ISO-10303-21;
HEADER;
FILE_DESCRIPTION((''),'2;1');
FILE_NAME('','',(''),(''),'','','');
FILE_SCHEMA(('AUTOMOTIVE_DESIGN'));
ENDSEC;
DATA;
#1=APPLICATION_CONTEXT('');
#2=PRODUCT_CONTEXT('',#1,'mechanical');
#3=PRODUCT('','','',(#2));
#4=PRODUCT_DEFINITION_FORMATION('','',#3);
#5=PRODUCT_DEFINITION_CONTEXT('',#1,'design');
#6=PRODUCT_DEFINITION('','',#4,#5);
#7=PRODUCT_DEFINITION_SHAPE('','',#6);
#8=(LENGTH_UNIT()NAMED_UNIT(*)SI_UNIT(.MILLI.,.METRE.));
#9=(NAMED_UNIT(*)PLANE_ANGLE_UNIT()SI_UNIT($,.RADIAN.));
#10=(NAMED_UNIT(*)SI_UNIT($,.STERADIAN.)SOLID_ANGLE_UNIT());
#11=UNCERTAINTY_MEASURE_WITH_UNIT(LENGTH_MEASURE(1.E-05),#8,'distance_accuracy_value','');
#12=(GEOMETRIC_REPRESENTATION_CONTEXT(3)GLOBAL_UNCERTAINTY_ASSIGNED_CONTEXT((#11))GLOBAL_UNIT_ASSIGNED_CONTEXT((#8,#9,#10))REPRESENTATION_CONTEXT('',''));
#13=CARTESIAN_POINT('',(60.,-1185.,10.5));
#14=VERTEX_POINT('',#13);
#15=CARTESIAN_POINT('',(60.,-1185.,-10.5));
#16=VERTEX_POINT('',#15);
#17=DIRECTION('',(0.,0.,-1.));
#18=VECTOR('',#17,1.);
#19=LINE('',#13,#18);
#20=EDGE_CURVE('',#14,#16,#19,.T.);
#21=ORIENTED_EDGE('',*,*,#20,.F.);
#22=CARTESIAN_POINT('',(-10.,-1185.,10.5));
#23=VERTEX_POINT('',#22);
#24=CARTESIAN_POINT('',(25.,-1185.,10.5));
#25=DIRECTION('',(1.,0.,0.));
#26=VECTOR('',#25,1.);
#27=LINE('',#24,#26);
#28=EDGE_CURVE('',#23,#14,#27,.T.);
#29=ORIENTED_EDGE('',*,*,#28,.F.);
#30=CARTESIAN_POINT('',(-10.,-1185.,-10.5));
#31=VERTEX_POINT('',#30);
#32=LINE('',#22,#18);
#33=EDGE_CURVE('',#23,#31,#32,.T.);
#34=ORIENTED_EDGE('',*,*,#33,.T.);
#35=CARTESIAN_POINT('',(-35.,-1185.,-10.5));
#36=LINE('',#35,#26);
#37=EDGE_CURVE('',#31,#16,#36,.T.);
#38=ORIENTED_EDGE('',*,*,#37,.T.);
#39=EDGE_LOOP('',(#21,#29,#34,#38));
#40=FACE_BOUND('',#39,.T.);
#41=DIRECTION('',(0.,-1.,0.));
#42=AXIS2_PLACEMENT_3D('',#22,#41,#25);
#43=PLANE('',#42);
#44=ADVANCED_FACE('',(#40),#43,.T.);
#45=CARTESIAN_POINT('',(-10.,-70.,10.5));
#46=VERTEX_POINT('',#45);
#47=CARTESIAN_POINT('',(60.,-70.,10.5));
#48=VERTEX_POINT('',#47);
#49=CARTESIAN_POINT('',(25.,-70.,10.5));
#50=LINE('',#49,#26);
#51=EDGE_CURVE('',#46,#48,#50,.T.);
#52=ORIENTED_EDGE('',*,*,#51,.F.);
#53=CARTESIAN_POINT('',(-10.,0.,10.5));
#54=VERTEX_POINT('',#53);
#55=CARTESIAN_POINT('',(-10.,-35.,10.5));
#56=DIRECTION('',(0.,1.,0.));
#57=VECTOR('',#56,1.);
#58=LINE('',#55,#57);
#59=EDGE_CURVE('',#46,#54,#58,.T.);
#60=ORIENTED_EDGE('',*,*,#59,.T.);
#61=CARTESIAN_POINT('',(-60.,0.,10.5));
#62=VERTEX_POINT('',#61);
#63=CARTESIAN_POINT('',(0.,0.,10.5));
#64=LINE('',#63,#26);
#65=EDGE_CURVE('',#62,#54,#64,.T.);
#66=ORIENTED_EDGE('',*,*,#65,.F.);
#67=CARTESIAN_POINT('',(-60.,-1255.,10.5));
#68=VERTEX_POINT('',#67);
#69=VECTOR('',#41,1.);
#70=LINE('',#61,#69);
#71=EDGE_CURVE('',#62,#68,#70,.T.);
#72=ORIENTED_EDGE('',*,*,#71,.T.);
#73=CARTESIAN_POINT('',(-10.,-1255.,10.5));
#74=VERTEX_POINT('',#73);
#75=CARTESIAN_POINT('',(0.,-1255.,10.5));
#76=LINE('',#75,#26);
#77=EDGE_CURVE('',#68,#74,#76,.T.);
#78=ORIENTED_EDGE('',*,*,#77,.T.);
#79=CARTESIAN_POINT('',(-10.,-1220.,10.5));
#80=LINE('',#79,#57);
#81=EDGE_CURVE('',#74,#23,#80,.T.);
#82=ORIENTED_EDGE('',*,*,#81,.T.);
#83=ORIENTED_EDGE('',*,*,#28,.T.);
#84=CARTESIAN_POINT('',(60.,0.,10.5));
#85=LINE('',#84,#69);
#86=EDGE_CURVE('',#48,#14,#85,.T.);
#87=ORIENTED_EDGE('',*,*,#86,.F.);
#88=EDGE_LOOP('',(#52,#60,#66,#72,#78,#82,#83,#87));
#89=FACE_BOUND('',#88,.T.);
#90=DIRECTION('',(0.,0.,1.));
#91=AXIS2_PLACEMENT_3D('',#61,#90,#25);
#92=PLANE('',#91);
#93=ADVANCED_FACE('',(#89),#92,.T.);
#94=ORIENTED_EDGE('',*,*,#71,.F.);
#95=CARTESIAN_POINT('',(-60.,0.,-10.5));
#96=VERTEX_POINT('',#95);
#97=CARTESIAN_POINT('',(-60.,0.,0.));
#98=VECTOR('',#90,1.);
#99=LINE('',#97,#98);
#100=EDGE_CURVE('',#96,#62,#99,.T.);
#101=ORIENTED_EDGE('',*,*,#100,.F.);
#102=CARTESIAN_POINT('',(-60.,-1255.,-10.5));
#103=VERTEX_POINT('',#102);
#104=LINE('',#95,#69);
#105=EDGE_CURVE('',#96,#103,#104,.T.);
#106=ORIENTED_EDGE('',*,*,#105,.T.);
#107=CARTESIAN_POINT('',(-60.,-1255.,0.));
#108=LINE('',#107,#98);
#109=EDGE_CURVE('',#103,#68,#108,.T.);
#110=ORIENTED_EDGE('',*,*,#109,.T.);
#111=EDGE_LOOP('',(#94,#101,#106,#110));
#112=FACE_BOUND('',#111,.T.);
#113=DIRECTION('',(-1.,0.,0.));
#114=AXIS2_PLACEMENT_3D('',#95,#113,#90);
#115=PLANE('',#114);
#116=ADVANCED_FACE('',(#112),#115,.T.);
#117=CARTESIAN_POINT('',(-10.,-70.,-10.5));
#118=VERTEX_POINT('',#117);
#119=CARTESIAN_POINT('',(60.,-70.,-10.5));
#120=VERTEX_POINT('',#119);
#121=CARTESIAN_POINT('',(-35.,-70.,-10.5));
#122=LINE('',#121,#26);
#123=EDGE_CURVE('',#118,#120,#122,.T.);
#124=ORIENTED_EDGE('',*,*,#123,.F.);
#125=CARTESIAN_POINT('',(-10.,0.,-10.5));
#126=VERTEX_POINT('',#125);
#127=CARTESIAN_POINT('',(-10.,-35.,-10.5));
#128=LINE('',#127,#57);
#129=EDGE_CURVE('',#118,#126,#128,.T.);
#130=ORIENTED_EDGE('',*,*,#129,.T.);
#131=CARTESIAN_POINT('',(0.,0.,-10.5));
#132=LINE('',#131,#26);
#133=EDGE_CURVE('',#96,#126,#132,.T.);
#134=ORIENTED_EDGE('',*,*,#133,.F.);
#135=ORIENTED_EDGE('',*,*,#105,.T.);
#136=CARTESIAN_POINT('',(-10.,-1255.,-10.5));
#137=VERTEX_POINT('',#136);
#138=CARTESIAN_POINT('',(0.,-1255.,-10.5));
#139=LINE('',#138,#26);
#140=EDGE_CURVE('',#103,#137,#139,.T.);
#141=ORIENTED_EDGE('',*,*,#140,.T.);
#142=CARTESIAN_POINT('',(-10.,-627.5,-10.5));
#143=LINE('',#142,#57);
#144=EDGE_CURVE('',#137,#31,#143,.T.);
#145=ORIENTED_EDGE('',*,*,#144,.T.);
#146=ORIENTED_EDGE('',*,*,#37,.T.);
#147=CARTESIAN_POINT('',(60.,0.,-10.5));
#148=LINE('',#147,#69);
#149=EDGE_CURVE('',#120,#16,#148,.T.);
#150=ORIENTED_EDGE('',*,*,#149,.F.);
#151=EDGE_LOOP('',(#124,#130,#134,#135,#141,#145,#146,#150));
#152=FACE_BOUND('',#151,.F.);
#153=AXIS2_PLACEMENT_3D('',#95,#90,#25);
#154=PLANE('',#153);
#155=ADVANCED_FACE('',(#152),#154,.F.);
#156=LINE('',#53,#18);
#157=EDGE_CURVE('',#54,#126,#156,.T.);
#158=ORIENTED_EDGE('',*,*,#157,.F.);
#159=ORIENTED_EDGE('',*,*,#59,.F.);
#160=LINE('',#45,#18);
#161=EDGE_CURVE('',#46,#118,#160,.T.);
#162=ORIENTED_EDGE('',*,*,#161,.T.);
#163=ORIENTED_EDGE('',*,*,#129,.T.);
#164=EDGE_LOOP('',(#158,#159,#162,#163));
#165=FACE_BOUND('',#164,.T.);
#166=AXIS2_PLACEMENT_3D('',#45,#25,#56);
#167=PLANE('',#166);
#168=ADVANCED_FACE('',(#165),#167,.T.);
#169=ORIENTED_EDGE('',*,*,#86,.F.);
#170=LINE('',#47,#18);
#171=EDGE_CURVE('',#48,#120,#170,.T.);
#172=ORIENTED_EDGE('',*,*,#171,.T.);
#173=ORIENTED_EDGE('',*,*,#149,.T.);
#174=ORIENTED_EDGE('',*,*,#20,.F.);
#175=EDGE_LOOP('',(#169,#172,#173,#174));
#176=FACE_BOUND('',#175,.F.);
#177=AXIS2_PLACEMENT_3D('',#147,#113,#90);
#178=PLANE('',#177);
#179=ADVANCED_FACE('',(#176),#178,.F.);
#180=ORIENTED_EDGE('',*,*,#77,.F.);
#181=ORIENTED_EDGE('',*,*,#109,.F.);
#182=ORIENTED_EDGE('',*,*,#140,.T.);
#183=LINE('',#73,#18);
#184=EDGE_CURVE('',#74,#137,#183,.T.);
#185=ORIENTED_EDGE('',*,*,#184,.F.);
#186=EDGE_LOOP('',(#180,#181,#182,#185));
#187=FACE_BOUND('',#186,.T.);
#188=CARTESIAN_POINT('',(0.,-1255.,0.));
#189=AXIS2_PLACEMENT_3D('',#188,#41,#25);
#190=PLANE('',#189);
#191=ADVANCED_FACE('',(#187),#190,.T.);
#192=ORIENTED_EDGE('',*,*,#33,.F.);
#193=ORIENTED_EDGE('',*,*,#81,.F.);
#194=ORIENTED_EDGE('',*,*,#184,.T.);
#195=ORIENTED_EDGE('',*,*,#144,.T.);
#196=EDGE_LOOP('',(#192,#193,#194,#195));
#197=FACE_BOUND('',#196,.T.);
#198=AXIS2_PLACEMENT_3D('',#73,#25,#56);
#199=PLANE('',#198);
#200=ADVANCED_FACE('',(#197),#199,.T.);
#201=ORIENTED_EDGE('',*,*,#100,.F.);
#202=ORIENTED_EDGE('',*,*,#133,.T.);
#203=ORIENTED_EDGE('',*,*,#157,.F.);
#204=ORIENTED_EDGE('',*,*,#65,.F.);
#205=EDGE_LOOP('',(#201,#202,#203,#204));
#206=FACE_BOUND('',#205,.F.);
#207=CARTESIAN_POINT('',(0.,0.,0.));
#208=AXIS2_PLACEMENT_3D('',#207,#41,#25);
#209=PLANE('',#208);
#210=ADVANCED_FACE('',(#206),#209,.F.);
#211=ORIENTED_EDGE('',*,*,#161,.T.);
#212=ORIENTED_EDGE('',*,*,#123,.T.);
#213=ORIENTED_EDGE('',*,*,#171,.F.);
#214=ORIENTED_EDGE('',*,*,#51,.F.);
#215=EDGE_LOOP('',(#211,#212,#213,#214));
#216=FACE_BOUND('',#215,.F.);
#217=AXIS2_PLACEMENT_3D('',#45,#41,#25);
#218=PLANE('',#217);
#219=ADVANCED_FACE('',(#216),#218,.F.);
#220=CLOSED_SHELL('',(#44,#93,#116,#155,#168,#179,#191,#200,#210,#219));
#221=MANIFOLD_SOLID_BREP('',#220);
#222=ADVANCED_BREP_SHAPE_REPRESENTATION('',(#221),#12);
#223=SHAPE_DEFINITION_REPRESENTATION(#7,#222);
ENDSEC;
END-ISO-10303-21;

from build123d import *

# Parameters (mm, degrees)
F0_W     = 120
F0_H     = 21
F1_DEPTH = 1255
F2_W     = 70
F2_H     = 70
F3_DEPTH = 25


with BuildPart() as f1:
    # F0 (on Front) → F1 (new body)
    with BuildSketch(Plane.XZ):
        Rectangle(F0_W, F0_H)
    extrude(amount=F1_DEPTH)

    # F2 (on face) → F3 (cut)
    with BuildSketch(Plane.XY.offset(10.5)):
        with Locations((25, -1220)):
            Rectangle(F2_W, F2_H)
        with Locations((25, -35)):
            Rectangle(F2_W, F2_H)
    extrude(amount=-F3_DEPTH, mode=Mode.SUBTRACT)


with BuildPart() as f4_1:
    # F4: copy of F1
    add(f1.part)


solid = f4_1.part
